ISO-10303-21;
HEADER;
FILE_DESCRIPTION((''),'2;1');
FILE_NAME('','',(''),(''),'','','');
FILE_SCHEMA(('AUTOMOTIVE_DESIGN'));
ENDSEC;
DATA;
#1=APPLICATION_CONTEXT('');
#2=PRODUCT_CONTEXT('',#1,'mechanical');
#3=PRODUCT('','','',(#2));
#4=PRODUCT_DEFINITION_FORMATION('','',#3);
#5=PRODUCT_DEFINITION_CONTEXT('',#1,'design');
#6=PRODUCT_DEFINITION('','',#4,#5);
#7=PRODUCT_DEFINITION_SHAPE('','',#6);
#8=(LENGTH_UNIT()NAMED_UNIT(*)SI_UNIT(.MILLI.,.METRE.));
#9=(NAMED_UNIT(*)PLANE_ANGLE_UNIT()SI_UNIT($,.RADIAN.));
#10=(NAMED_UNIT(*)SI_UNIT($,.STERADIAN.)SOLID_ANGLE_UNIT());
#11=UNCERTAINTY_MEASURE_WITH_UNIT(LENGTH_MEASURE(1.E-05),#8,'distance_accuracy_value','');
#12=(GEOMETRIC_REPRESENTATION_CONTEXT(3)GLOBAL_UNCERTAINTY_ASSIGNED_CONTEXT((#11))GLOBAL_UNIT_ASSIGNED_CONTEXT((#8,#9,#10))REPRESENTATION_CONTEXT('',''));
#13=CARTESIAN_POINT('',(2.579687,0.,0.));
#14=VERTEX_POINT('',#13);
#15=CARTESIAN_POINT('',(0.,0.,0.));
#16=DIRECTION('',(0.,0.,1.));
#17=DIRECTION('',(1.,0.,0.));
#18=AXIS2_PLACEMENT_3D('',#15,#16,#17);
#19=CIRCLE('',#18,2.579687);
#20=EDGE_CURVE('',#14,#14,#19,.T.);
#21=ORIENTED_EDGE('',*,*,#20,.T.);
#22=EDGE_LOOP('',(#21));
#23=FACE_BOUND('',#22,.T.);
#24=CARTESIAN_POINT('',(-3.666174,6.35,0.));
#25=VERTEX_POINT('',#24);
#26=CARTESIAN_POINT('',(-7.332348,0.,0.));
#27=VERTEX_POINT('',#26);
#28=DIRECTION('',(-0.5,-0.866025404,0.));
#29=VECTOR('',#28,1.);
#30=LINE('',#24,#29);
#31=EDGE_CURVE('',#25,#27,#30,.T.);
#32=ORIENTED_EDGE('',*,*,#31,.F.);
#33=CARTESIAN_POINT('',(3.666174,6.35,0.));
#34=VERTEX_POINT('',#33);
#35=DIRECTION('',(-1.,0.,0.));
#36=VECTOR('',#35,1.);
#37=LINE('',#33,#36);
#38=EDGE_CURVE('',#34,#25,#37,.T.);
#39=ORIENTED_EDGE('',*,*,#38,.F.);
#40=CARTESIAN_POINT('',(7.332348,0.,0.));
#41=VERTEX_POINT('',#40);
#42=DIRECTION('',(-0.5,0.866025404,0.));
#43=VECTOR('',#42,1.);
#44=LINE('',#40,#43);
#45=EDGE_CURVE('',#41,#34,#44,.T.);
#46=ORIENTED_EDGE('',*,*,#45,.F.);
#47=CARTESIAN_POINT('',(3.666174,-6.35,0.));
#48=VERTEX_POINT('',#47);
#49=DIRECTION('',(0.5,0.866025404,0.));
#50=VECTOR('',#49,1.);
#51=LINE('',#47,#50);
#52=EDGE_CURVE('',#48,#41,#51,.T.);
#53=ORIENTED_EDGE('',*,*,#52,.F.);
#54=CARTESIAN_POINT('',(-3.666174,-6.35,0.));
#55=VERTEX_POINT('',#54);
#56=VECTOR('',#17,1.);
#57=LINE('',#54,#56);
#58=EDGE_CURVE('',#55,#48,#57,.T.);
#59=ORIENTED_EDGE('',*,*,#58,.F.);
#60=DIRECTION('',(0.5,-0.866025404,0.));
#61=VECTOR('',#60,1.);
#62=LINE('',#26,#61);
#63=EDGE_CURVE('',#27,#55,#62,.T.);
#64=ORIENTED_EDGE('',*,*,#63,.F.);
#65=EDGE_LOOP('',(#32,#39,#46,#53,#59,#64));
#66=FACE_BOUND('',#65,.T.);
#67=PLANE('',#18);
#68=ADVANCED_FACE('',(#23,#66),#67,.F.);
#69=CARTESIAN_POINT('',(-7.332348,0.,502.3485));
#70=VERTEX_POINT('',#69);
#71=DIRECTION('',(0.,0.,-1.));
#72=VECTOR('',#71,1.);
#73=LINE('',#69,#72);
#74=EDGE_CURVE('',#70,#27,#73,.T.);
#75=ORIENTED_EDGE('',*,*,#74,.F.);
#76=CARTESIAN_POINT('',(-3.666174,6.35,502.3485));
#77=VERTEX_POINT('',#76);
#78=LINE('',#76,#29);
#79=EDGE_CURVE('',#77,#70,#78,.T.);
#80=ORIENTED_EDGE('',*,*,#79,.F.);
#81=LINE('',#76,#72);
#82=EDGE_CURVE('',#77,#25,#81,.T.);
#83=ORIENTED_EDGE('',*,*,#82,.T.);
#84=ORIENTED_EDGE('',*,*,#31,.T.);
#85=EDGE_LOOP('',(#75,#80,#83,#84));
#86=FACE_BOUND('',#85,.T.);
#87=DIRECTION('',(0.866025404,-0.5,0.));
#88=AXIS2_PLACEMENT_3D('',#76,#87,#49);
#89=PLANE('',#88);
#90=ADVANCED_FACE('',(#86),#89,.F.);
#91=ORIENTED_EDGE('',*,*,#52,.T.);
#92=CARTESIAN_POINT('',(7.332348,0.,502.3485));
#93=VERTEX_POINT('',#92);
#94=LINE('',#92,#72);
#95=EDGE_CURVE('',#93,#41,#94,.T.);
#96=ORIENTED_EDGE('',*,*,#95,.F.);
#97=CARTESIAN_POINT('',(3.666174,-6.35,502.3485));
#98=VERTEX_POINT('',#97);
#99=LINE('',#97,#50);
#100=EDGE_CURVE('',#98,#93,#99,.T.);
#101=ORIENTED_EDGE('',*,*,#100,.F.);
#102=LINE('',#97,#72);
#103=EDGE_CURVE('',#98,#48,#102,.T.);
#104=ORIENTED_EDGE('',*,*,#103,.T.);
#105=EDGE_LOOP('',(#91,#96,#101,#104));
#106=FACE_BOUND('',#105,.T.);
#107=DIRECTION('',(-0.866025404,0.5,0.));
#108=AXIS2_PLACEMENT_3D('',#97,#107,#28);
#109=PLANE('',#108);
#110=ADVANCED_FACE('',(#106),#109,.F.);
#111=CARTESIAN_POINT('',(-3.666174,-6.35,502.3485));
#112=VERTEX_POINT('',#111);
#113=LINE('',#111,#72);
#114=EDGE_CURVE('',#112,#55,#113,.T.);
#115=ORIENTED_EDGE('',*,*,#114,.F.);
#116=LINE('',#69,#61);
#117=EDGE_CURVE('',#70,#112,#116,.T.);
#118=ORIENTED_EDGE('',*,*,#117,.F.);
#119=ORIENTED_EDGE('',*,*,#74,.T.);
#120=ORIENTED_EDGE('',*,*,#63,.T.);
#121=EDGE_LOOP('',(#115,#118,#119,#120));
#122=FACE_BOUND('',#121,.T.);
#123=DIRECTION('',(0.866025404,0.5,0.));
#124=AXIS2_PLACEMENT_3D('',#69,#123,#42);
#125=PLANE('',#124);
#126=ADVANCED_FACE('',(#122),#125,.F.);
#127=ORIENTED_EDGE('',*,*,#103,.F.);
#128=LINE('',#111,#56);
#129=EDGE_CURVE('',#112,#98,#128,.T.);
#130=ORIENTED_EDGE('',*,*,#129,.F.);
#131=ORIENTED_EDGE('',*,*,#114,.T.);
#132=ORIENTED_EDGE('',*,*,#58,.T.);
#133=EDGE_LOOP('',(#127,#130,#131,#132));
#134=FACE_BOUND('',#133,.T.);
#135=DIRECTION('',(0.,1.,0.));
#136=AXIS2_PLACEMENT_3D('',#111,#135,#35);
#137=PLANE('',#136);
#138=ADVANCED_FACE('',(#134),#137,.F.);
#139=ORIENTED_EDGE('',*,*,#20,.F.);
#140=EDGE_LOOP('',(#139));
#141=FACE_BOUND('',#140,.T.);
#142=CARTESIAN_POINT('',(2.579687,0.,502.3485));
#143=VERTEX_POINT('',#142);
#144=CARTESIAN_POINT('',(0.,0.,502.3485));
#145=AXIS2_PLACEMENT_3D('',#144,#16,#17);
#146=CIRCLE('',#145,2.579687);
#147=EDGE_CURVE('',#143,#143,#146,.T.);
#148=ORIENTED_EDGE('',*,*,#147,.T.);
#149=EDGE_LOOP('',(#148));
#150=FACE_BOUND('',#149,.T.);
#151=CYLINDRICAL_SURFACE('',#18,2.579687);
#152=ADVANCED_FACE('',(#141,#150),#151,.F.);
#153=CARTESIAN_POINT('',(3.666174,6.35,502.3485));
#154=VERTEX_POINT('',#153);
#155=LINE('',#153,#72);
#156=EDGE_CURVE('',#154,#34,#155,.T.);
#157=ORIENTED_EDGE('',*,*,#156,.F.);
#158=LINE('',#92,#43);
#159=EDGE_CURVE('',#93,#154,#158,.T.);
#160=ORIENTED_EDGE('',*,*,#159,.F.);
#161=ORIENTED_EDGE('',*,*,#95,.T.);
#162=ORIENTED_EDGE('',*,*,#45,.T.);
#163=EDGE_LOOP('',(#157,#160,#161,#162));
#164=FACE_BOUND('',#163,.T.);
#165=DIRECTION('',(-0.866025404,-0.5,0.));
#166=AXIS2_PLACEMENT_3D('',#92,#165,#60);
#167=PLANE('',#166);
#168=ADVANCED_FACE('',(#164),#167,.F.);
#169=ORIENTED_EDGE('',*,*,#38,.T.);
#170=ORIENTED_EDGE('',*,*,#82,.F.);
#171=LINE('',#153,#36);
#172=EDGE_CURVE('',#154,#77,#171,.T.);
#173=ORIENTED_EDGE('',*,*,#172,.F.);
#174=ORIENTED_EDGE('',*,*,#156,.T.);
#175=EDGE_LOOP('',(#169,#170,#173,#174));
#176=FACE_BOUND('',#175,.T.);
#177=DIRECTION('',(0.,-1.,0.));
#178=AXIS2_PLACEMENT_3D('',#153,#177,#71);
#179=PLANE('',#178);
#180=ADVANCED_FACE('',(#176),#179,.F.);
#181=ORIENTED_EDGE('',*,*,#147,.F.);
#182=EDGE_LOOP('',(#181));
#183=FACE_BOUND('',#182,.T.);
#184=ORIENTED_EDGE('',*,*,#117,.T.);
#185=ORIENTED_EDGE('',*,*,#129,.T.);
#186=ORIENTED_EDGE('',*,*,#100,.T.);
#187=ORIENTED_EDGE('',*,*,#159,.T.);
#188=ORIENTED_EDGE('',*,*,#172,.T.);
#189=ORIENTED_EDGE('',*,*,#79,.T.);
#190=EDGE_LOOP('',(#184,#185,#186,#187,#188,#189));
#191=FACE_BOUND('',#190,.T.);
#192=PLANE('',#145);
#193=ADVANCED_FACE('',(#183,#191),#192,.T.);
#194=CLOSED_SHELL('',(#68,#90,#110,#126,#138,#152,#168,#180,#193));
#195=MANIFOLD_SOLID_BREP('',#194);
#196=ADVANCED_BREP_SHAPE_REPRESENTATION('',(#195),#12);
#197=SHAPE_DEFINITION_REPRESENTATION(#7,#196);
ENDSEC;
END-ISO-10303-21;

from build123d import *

# Parameters (mm, degrees)
BOSS_EXTRUDE1_DEPTH = 502.3485
SKETCH1_R           = 2.5796875
CUT_EXTRUDE1_DEPTH  = 503.442137251


with BuildPart() as part:
    # Sketch 1 → Boss-Extrude1 (new body)
    with BuildSketch(Plane.XY):
        Polygon((7.332348419, 0), (3.666174209, 6.35), (-3.666174209, 6.35), (-7.332348419, 0), (-3.666174209, -6.35), (3.666174209, -6.35), align=None)
    extrude(amount=BOSS_EXTRUDE1_DEPTH)

    # Sketch1 → Cut-Extrude1 (cut, through all)
    with BuildSketch(Plane.XY.offset(502.3485)):
        Circle(SKETCH1_R)
    extrude(amount=-CUT_EXTRUDE1_DEPTH, mode=Mode.SUBTRACT)


solid = part.part
